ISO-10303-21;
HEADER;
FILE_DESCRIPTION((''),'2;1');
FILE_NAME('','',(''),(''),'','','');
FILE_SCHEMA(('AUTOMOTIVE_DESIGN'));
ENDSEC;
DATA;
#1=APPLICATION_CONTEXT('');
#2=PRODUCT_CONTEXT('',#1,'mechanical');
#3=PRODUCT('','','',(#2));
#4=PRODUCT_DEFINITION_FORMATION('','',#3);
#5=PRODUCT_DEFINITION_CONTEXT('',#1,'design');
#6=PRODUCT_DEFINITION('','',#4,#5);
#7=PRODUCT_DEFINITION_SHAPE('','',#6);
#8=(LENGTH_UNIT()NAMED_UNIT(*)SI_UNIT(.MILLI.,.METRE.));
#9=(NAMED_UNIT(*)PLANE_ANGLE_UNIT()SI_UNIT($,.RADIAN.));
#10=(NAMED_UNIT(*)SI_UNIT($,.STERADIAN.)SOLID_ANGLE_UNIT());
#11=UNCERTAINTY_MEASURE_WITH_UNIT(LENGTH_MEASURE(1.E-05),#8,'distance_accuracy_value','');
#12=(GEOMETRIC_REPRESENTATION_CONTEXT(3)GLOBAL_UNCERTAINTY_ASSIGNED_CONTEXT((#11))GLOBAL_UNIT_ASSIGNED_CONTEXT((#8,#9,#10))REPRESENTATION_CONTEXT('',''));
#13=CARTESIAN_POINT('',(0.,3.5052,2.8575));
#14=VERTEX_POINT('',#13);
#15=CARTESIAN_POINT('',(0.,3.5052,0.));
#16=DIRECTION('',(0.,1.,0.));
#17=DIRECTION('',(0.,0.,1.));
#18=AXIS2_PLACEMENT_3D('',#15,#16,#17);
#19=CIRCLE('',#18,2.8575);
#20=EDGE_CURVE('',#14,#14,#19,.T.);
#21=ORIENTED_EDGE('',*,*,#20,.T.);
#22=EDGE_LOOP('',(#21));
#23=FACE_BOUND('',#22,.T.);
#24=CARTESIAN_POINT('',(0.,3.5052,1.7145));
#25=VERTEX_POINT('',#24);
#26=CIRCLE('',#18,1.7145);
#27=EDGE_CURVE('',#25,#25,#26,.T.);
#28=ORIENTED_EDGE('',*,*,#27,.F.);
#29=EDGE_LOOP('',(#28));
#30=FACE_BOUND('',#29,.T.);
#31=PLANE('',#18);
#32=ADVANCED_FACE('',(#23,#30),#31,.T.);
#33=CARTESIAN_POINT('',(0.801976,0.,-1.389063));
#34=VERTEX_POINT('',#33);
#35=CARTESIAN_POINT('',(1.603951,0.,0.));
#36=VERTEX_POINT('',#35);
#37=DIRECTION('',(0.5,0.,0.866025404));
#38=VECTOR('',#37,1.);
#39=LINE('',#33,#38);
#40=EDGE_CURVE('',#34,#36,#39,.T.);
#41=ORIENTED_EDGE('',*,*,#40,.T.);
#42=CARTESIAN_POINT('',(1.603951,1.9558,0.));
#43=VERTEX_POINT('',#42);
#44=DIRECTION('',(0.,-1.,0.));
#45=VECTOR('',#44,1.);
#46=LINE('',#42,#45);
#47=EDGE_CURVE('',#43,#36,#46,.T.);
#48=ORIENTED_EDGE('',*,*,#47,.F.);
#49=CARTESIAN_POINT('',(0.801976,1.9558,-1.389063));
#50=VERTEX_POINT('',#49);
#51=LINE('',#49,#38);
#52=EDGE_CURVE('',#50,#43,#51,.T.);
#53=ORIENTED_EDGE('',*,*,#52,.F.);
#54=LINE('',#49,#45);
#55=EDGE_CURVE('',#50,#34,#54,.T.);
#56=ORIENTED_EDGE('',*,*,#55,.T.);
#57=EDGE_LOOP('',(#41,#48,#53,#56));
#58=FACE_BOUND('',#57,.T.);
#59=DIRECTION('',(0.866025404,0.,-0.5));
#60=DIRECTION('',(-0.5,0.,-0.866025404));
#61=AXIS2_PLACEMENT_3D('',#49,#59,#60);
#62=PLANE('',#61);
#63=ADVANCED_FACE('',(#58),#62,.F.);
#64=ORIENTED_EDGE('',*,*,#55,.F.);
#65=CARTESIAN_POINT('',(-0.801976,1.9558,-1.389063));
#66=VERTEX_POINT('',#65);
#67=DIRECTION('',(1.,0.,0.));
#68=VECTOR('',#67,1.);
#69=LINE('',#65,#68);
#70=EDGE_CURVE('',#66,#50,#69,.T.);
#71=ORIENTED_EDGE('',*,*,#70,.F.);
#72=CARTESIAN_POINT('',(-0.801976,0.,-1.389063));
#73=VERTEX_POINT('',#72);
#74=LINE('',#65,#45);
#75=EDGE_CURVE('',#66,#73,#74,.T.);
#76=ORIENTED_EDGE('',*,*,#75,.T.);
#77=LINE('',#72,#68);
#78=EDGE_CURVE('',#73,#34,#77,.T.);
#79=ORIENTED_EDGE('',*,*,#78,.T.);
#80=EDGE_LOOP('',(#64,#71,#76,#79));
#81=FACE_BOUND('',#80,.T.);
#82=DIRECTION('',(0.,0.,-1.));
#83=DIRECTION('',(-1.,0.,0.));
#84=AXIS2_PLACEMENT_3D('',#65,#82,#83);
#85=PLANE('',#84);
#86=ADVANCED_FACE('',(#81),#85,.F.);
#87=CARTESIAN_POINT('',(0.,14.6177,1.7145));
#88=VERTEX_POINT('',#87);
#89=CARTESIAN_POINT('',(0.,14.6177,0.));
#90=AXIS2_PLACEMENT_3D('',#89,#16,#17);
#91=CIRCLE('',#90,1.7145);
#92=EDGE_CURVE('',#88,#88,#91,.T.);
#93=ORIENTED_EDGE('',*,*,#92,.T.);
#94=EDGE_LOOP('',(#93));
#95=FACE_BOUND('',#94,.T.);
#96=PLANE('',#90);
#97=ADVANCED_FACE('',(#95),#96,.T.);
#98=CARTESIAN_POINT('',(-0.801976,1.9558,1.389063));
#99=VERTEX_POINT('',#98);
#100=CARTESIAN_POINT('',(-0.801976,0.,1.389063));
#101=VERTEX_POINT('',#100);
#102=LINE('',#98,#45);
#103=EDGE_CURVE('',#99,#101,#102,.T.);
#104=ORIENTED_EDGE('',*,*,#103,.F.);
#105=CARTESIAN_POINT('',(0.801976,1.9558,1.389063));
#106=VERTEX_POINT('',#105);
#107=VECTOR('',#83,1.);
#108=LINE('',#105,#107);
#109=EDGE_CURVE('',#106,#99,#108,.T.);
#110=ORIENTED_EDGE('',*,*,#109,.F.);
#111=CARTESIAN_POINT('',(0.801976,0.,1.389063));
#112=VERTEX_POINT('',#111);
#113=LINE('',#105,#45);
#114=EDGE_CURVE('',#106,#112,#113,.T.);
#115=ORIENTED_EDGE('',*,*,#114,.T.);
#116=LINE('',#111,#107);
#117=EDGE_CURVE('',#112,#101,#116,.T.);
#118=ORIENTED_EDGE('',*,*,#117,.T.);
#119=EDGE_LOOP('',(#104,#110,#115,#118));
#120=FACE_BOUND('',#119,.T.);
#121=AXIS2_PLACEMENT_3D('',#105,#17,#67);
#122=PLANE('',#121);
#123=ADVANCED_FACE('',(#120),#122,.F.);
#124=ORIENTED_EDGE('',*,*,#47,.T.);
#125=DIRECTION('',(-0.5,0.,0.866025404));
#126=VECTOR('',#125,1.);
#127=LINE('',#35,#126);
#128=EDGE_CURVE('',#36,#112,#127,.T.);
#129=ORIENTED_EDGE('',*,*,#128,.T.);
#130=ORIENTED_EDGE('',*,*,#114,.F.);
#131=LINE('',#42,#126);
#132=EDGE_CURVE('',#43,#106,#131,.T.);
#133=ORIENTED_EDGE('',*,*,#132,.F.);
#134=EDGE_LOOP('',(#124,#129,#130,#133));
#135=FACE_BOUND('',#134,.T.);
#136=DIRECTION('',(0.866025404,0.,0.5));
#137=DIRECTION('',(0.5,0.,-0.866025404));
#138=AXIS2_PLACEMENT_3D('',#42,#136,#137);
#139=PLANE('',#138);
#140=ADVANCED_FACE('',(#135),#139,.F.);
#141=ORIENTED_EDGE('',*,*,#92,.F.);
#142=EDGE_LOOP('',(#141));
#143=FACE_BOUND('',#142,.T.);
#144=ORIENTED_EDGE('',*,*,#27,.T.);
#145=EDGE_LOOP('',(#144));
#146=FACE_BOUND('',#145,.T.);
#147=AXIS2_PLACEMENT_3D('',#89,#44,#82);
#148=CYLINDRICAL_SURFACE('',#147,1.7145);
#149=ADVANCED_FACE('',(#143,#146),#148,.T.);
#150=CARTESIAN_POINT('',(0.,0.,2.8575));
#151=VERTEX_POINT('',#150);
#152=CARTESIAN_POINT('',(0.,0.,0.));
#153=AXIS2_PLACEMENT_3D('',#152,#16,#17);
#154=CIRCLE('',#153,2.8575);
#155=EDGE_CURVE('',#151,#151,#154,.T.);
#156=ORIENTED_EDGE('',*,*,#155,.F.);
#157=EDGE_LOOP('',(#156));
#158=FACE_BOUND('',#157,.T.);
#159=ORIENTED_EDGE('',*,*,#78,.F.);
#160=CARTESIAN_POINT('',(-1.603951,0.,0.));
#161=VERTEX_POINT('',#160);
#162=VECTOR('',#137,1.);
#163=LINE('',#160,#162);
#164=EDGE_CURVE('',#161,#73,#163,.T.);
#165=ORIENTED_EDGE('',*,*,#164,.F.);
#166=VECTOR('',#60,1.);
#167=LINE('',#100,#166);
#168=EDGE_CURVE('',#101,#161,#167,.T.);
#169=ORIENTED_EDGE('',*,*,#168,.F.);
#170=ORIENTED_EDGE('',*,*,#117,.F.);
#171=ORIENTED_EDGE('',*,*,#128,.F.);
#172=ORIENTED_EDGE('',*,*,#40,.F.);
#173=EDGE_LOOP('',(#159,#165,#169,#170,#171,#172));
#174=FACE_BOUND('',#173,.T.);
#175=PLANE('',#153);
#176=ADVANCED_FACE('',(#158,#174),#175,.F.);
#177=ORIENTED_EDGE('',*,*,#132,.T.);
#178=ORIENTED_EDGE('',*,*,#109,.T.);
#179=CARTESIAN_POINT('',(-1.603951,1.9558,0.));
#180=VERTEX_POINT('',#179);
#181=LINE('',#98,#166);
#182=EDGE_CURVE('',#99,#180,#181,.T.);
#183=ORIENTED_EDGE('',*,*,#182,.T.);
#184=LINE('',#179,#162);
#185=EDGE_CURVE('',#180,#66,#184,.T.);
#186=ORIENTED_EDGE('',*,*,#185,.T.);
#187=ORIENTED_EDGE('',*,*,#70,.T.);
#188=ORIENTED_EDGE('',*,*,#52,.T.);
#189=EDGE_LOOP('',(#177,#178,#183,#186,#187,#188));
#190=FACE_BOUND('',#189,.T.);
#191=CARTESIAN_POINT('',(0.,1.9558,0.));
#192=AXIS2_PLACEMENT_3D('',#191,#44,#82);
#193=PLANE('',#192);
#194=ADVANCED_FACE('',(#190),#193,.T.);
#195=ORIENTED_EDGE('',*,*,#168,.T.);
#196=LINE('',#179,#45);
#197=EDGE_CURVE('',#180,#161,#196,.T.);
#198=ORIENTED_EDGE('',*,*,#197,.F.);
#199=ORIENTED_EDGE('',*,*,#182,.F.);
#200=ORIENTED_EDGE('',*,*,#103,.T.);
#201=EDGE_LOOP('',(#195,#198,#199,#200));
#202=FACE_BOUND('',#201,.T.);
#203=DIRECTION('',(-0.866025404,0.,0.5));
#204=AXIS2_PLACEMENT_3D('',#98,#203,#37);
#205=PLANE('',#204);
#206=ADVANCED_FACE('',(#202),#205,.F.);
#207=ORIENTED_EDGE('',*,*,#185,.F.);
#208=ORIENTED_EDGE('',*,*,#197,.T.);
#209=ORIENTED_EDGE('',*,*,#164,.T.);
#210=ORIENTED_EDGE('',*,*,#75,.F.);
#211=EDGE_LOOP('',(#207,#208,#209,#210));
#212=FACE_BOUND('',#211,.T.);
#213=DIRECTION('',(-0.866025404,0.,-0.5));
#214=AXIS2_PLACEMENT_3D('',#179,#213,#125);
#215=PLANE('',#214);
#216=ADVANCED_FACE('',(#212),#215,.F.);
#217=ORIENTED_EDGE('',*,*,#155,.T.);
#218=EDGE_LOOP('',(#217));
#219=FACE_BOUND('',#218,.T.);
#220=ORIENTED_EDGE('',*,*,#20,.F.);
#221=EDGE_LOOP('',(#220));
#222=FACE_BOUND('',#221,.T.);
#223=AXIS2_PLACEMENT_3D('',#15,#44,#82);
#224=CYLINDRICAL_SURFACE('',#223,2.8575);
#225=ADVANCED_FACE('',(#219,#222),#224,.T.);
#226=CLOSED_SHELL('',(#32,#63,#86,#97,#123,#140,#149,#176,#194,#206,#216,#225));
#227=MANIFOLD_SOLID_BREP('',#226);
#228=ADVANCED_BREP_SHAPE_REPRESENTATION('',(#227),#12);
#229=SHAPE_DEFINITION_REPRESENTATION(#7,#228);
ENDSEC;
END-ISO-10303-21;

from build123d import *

# Parameters (mm, degrees)
SKETCH1_R           = 2.8575
BOSS_EXTRUDE1_DEPTH = 3.5052
CUT_EXTRUDE1_DEPTH  = 1.9558
SKETCH3_R           = 1.7145
BOSS_EXTRUDE2_DEPTH = 11.1125


with BuildPart() as part:
    # Sketch1 → Boss-Extrude1 (new body)
    with BuildSketch(Plane(origin=(0, 0, 0), x_dir=(1, 0, 0), z_dir=(0, 1, 0))):
        Circle(SKETCH1_R)
    extrude(amount=BOSS_EXTRUDE1_DEPTH)

    # Sketch2 → Cut-Extrude1 (cut)
    with BuildSketch(Plane.XZ):
        Polygon((1.603951217, 0), (0.801975608, 1.3890625), (-0.801975608, 1.3890625), (-1.603951217, 0), (-0.801975608, -1.3890625), (0.801975608, -1.3890625), align=None)
    extrude(amount=-CUT_EXTRUDE1_DEPTH, mode=Mode.SUBTRACT)

    # Sketch3 → Boss-Extrude2 (add)
    with BuildSketch(Plane(origin=(0, 3.5052, 0), x_dir=(1, 0, 0), z_dir=(0, 1, 0))):
        Circle(SKETCH3_R)
    extrude(amount=BOSS_EXTRUDE2_DEPTH)


solid = part.part
